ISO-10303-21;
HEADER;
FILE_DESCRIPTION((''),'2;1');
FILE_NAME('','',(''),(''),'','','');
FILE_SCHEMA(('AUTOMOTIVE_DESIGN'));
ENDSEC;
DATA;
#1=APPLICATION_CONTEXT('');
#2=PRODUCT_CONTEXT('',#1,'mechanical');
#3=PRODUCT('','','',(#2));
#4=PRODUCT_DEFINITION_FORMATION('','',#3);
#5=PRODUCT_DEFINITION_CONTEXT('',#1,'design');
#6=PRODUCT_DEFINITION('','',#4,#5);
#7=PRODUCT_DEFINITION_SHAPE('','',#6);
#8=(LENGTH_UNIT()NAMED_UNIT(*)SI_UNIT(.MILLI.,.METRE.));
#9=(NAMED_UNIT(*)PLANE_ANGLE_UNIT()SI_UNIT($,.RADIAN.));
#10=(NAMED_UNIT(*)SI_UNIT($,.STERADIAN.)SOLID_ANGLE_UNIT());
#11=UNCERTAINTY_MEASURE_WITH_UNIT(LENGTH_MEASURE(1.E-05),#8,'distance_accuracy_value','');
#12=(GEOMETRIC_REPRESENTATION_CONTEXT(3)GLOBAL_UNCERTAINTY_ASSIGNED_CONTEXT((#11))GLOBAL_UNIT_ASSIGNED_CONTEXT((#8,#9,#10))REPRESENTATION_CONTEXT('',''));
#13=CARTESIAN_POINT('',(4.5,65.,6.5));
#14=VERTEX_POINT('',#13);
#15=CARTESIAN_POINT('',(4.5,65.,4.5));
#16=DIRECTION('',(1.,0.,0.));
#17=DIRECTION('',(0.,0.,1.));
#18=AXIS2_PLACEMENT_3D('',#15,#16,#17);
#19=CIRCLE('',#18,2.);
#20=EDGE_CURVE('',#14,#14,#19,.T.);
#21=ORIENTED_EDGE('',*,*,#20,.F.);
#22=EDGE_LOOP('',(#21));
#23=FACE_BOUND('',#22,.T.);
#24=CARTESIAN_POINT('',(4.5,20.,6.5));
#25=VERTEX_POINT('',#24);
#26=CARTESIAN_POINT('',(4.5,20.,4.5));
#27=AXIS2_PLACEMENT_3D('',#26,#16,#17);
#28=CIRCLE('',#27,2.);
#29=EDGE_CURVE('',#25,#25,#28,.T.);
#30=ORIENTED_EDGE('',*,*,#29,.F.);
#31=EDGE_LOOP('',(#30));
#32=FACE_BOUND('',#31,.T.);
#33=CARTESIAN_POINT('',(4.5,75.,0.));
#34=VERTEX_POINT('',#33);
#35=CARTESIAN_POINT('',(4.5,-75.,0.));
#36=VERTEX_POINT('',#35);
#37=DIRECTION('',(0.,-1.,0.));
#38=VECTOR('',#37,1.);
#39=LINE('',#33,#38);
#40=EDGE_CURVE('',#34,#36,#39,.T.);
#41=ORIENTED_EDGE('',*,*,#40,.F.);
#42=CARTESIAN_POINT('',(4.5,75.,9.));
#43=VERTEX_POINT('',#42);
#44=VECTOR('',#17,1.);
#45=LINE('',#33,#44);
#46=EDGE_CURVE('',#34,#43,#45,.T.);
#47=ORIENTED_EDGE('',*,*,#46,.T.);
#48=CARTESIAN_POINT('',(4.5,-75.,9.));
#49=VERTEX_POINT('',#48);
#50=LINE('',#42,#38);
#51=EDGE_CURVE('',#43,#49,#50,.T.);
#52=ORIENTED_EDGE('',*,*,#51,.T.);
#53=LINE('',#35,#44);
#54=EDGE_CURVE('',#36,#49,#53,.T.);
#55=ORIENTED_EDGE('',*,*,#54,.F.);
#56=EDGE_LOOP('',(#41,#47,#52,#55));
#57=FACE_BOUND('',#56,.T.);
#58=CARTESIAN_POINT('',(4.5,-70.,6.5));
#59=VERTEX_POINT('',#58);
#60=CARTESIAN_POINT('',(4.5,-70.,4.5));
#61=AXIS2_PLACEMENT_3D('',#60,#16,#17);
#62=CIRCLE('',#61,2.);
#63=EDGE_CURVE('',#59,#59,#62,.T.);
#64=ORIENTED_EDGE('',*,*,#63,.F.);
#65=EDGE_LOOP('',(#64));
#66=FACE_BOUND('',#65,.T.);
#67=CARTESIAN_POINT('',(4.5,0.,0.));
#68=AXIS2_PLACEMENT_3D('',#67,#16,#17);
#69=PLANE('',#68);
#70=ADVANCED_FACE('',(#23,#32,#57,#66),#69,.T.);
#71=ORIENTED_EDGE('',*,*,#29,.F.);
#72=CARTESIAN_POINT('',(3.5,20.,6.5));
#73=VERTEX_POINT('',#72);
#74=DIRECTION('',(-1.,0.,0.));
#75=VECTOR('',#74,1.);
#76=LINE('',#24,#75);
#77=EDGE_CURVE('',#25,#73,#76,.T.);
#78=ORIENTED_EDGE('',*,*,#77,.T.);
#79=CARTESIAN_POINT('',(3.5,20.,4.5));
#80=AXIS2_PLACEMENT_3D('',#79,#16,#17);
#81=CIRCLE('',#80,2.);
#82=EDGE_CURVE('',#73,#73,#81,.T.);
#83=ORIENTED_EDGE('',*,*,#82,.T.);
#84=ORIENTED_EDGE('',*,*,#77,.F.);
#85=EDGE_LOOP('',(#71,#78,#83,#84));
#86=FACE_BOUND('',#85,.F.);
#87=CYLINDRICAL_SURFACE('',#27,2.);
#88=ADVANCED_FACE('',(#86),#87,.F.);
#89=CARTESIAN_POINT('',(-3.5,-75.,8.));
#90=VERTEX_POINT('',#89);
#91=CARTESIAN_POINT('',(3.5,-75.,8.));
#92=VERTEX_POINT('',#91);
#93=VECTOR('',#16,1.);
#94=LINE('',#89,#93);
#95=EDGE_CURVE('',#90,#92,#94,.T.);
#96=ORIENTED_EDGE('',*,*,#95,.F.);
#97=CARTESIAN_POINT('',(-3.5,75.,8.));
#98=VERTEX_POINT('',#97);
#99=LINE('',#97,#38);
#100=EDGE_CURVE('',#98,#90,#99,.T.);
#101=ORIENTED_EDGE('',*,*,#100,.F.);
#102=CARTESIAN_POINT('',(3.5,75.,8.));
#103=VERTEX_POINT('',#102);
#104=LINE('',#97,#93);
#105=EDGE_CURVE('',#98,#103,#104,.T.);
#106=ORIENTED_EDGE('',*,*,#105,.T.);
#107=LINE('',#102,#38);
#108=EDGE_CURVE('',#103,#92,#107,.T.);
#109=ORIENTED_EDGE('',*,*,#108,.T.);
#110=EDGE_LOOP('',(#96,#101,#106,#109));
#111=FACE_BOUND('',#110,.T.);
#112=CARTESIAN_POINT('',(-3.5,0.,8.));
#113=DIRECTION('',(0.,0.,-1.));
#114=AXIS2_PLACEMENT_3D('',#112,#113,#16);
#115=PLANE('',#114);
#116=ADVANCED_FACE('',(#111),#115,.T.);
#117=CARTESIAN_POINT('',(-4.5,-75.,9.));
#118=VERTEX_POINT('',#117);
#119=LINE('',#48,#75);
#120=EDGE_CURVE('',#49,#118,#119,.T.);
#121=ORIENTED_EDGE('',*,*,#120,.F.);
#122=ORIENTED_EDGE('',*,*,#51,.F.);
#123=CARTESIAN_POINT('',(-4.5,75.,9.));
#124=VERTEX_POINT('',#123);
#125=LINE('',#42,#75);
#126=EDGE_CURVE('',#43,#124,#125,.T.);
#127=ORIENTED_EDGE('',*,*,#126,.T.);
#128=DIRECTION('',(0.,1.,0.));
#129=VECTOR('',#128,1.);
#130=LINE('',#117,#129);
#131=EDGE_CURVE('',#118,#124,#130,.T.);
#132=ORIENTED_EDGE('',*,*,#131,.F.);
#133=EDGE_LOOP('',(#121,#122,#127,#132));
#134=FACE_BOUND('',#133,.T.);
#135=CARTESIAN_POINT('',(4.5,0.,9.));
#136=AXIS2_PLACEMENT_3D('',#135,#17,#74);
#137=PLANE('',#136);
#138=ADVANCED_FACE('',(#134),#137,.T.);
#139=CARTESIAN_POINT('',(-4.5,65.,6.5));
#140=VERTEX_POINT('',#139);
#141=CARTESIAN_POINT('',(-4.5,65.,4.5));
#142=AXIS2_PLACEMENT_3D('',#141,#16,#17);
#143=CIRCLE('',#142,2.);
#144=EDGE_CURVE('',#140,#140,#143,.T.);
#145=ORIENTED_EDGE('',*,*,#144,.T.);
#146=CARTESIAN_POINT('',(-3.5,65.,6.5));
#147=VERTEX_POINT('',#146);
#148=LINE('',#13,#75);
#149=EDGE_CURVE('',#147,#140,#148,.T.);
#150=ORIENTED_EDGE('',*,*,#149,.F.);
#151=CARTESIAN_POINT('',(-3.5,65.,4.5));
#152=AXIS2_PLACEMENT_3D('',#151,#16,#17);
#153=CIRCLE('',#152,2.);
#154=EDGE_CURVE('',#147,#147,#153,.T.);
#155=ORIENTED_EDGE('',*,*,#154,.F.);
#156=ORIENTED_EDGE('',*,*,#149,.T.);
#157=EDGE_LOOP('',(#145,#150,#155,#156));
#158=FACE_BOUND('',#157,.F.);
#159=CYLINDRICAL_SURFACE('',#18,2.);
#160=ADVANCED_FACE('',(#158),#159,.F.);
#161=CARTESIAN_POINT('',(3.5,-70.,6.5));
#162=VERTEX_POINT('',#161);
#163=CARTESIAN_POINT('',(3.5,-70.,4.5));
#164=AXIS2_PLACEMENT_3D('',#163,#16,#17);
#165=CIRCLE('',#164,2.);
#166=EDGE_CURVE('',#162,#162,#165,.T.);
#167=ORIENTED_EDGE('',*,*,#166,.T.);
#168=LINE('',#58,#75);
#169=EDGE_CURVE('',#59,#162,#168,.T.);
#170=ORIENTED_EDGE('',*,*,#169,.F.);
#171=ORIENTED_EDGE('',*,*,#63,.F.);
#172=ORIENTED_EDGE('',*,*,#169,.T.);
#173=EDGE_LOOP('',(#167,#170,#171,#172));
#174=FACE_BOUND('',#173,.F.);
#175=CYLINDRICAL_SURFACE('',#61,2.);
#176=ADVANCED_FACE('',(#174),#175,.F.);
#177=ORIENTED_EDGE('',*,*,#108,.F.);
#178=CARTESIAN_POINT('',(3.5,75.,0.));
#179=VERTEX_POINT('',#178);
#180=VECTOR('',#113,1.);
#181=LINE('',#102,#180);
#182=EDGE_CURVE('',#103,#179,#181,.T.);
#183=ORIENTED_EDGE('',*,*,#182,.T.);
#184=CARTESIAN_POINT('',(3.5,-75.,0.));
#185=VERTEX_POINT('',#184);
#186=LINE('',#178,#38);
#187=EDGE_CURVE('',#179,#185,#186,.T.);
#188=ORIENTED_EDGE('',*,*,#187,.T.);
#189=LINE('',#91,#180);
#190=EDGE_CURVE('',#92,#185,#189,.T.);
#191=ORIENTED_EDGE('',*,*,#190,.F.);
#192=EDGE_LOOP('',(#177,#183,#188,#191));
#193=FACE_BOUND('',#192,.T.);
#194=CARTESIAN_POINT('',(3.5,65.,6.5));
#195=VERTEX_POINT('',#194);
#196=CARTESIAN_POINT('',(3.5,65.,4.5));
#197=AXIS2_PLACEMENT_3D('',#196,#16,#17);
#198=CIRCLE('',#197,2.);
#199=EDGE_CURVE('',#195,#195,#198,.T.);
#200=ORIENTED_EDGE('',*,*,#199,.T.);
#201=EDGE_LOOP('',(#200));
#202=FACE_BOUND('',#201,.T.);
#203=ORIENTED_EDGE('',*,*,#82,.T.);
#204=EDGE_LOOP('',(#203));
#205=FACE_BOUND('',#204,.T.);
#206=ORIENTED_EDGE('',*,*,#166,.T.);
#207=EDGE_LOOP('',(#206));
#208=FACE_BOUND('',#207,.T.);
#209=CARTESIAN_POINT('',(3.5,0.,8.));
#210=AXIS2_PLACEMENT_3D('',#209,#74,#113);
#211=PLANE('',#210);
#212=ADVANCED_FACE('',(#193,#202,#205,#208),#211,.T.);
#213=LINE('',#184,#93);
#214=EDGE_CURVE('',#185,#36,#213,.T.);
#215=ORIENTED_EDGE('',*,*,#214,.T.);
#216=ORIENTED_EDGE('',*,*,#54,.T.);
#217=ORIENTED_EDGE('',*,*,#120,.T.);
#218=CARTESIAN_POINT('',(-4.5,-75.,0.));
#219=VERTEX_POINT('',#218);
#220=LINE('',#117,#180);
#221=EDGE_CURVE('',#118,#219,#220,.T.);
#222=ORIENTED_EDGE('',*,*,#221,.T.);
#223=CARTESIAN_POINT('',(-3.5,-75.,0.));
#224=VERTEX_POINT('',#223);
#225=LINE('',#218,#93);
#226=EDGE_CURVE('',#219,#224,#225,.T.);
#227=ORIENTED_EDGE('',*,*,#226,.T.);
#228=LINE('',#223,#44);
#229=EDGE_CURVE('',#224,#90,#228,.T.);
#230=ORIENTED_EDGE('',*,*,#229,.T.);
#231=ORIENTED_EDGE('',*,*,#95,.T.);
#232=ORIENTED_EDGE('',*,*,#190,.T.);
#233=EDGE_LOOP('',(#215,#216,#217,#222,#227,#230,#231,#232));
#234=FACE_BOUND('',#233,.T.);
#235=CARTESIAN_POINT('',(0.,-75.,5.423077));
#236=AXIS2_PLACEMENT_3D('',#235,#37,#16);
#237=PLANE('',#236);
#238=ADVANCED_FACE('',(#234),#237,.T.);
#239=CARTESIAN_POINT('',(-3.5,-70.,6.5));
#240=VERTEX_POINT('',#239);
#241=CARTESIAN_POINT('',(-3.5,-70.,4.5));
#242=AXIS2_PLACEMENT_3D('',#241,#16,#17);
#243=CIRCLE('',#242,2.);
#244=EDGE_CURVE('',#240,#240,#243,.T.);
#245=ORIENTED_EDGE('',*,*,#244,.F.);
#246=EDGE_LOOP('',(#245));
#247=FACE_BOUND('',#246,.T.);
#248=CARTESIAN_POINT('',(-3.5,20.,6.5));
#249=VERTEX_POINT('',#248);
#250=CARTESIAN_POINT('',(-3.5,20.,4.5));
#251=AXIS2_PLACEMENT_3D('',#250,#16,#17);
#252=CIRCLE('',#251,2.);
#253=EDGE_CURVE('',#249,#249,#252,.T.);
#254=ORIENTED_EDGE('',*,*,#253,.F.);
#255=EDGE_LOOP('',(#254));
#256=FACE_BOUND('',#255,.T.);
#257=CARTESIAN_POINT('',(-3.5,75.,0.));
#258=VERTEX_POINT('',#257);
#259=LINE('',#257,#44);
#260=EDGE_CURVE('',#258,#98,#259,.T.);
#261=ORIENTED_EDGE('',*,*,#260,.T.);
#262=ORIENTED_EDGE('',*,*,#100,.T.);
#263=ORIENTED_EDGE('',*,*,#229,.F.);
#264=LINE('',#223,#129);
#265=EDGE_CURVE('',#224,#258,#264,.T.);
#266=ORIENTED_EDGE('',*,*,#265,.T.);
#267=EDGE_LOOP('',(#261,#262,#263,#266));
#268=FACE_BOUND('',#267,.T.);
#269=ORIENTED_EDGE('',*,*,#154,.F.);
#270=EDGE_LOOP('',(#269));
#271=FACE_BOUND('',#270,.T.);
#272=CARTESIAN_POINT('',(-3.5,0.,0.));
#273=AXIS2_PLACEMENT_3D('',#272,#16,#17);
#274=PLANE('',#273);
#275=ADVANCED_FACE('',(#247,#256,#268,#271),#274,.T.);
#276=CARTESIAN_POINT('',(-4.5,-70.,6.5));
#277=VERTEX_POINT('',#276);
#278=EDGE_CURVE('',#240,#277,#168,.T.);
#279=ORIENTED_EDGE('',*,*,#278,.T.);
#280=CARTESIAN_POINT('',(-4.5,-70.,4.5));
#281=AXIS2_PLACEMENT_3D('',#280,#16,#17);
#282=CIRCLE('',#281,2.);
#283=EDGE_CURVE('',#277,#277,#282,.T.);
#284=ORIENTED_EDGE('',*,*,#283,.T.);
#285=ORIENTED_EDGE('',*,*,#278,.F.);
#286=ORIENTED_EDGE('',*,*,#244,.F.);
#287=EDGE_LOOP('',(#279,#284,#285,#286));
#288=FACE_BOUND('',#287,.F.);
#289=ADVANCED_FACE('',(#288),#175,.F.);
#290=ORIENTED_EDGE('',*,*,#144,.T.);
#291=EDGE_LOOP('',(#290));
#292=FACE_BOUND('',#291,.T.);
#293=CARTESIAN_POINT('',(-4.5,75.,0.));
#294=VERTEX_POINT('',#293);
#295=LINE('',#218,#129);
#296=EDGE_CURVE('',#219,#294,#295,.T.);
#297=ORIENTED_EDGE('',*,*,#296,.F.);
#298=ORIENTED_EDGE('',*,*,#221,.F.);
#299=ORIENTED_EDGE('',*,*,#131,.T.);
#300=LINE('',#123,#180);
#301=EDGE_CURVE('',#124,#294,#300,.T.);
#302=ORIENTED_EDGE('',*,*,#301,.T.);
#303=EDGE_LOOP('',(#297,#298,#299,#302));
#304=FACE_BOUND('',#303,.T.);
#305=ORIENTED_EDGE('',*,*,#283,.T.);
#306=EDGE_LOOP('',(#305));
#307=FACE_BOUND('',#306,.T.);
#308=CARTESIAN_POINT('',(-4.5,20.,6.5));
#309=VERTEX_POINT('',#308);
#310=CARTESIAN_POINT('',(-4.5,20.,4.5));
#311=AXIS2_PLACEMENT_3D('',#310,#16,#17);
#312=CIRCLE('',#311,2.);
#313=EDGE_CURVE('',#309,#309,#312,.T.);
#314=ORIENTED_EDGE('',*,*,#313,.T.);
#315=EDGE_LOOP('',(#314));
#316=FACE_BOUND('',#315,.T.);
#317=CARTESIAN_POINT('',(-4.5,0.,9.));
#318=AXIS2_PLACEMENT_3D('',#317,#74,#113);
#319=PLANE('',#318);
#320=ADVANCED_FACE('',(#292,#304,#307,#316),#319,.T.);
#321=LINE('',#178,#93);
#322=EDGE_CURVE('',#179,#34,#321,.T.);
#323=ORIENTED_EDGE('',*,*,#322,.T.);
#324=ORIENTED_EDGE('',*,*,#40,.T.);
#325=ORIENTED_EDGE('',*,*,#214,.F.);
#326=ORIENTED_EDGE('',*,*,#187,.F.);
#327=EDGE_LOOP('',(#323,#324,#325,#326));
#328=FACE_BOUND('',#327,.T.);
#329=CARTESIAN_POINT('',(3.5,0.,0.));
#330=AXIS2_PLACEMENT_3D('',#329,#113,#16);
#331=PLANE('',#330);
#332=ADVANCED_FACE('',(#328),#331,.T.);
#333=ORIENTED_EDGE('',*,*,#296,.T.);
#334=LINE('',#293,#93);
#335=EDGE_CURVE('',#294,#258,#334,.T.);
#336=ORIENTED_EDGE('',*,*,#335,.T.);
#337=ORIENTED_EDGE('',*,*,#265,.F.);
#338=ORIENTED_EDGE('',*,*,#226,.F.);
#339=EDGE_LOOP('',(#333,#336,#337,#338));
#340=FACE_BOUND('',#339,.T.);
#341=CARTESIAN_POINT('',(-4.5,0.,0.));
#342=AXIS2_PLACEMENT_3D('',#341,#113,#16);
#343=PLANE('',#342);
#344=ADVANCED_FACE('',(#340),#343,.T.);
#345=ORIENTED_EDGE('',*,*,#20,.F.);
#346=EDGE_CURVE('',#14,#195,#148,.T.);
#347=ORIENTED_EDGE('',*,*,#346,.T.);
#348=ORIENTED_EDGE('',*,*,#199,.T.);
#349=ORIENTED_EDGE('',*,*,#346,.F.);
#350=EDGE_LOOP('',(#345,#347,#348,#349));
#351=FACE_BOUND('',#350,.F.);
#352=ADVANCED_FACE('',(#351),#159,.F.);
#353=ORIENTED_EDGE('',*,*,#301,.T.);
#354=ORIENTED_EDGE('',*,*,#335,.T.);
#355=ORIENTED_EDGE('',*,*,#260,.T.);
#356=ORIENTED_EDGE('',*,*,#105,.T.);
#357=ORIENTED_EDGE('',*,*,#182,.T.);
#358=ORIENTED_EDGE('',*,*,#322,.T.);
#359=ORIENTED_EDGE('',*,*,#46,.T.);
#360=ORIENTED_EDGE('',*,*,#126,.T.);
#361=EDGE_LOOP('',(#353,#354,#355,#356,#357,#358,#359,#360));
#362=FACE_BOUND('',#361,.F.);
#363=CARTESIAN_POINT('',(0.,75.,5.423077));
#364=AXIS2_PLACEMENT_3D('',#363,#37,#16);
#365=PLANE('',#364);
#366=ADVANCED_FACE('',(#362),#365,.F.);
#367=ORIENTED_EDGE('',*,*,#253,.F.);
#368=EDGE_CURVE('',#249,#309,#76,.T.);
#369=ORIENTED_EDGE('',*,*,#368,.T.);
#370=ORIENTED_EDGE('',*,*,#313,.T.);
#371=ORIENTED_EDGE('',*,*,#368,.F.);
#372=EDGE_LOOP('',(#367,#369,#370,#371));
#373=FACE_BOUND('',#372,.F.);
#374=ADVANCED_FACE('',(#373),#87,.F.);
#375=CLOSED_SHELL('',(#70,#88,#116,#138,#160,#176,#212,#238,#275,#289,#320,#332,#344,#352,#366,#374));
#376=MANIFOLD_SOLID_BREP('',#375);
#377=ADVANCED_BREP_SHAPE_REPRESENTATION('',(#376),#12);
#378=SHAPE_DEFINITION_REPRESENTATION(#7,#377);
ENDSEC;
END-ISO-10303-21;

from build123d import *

# Parameters (mm, degrees)
PAD_DEPTH    = 75
SKETCH001_R  = 2
POCKET_DEPTH = 9.001


with BuildPart() as part:
    # Sketch → Pad (new body, symmetric)
    with BuildSketch(Plane.XZ):
        Polygon((-3.5, 0), (-3.5, 8), (3.5, 8), (3.5, 0), (4.5, 0), (4.5, 9), (-4.5, 9), (-4.5, 0), align=None)
    extrude(amount=PAD_DEPTH, both=True)

    # Sketch001 → Pocket (cut, through all)
    with BuildSketch(Plane(origin=(4.5, 0, 0), x_dir=(0, 0, 1), z_dir=(1, 0, 0))):
        with Locations((4.5, 70)):
            Circle(SKETCH001_R)
        with Locations((4.5, -65)):
            Circle(SKETCH001_R)
        with Locations((4.5, -20)):
            Circle(SKETCH001_R)
    extrude(amount=-POCKET_DEPTH, mode=Mode.SUBTRACT)


solid = part.part
